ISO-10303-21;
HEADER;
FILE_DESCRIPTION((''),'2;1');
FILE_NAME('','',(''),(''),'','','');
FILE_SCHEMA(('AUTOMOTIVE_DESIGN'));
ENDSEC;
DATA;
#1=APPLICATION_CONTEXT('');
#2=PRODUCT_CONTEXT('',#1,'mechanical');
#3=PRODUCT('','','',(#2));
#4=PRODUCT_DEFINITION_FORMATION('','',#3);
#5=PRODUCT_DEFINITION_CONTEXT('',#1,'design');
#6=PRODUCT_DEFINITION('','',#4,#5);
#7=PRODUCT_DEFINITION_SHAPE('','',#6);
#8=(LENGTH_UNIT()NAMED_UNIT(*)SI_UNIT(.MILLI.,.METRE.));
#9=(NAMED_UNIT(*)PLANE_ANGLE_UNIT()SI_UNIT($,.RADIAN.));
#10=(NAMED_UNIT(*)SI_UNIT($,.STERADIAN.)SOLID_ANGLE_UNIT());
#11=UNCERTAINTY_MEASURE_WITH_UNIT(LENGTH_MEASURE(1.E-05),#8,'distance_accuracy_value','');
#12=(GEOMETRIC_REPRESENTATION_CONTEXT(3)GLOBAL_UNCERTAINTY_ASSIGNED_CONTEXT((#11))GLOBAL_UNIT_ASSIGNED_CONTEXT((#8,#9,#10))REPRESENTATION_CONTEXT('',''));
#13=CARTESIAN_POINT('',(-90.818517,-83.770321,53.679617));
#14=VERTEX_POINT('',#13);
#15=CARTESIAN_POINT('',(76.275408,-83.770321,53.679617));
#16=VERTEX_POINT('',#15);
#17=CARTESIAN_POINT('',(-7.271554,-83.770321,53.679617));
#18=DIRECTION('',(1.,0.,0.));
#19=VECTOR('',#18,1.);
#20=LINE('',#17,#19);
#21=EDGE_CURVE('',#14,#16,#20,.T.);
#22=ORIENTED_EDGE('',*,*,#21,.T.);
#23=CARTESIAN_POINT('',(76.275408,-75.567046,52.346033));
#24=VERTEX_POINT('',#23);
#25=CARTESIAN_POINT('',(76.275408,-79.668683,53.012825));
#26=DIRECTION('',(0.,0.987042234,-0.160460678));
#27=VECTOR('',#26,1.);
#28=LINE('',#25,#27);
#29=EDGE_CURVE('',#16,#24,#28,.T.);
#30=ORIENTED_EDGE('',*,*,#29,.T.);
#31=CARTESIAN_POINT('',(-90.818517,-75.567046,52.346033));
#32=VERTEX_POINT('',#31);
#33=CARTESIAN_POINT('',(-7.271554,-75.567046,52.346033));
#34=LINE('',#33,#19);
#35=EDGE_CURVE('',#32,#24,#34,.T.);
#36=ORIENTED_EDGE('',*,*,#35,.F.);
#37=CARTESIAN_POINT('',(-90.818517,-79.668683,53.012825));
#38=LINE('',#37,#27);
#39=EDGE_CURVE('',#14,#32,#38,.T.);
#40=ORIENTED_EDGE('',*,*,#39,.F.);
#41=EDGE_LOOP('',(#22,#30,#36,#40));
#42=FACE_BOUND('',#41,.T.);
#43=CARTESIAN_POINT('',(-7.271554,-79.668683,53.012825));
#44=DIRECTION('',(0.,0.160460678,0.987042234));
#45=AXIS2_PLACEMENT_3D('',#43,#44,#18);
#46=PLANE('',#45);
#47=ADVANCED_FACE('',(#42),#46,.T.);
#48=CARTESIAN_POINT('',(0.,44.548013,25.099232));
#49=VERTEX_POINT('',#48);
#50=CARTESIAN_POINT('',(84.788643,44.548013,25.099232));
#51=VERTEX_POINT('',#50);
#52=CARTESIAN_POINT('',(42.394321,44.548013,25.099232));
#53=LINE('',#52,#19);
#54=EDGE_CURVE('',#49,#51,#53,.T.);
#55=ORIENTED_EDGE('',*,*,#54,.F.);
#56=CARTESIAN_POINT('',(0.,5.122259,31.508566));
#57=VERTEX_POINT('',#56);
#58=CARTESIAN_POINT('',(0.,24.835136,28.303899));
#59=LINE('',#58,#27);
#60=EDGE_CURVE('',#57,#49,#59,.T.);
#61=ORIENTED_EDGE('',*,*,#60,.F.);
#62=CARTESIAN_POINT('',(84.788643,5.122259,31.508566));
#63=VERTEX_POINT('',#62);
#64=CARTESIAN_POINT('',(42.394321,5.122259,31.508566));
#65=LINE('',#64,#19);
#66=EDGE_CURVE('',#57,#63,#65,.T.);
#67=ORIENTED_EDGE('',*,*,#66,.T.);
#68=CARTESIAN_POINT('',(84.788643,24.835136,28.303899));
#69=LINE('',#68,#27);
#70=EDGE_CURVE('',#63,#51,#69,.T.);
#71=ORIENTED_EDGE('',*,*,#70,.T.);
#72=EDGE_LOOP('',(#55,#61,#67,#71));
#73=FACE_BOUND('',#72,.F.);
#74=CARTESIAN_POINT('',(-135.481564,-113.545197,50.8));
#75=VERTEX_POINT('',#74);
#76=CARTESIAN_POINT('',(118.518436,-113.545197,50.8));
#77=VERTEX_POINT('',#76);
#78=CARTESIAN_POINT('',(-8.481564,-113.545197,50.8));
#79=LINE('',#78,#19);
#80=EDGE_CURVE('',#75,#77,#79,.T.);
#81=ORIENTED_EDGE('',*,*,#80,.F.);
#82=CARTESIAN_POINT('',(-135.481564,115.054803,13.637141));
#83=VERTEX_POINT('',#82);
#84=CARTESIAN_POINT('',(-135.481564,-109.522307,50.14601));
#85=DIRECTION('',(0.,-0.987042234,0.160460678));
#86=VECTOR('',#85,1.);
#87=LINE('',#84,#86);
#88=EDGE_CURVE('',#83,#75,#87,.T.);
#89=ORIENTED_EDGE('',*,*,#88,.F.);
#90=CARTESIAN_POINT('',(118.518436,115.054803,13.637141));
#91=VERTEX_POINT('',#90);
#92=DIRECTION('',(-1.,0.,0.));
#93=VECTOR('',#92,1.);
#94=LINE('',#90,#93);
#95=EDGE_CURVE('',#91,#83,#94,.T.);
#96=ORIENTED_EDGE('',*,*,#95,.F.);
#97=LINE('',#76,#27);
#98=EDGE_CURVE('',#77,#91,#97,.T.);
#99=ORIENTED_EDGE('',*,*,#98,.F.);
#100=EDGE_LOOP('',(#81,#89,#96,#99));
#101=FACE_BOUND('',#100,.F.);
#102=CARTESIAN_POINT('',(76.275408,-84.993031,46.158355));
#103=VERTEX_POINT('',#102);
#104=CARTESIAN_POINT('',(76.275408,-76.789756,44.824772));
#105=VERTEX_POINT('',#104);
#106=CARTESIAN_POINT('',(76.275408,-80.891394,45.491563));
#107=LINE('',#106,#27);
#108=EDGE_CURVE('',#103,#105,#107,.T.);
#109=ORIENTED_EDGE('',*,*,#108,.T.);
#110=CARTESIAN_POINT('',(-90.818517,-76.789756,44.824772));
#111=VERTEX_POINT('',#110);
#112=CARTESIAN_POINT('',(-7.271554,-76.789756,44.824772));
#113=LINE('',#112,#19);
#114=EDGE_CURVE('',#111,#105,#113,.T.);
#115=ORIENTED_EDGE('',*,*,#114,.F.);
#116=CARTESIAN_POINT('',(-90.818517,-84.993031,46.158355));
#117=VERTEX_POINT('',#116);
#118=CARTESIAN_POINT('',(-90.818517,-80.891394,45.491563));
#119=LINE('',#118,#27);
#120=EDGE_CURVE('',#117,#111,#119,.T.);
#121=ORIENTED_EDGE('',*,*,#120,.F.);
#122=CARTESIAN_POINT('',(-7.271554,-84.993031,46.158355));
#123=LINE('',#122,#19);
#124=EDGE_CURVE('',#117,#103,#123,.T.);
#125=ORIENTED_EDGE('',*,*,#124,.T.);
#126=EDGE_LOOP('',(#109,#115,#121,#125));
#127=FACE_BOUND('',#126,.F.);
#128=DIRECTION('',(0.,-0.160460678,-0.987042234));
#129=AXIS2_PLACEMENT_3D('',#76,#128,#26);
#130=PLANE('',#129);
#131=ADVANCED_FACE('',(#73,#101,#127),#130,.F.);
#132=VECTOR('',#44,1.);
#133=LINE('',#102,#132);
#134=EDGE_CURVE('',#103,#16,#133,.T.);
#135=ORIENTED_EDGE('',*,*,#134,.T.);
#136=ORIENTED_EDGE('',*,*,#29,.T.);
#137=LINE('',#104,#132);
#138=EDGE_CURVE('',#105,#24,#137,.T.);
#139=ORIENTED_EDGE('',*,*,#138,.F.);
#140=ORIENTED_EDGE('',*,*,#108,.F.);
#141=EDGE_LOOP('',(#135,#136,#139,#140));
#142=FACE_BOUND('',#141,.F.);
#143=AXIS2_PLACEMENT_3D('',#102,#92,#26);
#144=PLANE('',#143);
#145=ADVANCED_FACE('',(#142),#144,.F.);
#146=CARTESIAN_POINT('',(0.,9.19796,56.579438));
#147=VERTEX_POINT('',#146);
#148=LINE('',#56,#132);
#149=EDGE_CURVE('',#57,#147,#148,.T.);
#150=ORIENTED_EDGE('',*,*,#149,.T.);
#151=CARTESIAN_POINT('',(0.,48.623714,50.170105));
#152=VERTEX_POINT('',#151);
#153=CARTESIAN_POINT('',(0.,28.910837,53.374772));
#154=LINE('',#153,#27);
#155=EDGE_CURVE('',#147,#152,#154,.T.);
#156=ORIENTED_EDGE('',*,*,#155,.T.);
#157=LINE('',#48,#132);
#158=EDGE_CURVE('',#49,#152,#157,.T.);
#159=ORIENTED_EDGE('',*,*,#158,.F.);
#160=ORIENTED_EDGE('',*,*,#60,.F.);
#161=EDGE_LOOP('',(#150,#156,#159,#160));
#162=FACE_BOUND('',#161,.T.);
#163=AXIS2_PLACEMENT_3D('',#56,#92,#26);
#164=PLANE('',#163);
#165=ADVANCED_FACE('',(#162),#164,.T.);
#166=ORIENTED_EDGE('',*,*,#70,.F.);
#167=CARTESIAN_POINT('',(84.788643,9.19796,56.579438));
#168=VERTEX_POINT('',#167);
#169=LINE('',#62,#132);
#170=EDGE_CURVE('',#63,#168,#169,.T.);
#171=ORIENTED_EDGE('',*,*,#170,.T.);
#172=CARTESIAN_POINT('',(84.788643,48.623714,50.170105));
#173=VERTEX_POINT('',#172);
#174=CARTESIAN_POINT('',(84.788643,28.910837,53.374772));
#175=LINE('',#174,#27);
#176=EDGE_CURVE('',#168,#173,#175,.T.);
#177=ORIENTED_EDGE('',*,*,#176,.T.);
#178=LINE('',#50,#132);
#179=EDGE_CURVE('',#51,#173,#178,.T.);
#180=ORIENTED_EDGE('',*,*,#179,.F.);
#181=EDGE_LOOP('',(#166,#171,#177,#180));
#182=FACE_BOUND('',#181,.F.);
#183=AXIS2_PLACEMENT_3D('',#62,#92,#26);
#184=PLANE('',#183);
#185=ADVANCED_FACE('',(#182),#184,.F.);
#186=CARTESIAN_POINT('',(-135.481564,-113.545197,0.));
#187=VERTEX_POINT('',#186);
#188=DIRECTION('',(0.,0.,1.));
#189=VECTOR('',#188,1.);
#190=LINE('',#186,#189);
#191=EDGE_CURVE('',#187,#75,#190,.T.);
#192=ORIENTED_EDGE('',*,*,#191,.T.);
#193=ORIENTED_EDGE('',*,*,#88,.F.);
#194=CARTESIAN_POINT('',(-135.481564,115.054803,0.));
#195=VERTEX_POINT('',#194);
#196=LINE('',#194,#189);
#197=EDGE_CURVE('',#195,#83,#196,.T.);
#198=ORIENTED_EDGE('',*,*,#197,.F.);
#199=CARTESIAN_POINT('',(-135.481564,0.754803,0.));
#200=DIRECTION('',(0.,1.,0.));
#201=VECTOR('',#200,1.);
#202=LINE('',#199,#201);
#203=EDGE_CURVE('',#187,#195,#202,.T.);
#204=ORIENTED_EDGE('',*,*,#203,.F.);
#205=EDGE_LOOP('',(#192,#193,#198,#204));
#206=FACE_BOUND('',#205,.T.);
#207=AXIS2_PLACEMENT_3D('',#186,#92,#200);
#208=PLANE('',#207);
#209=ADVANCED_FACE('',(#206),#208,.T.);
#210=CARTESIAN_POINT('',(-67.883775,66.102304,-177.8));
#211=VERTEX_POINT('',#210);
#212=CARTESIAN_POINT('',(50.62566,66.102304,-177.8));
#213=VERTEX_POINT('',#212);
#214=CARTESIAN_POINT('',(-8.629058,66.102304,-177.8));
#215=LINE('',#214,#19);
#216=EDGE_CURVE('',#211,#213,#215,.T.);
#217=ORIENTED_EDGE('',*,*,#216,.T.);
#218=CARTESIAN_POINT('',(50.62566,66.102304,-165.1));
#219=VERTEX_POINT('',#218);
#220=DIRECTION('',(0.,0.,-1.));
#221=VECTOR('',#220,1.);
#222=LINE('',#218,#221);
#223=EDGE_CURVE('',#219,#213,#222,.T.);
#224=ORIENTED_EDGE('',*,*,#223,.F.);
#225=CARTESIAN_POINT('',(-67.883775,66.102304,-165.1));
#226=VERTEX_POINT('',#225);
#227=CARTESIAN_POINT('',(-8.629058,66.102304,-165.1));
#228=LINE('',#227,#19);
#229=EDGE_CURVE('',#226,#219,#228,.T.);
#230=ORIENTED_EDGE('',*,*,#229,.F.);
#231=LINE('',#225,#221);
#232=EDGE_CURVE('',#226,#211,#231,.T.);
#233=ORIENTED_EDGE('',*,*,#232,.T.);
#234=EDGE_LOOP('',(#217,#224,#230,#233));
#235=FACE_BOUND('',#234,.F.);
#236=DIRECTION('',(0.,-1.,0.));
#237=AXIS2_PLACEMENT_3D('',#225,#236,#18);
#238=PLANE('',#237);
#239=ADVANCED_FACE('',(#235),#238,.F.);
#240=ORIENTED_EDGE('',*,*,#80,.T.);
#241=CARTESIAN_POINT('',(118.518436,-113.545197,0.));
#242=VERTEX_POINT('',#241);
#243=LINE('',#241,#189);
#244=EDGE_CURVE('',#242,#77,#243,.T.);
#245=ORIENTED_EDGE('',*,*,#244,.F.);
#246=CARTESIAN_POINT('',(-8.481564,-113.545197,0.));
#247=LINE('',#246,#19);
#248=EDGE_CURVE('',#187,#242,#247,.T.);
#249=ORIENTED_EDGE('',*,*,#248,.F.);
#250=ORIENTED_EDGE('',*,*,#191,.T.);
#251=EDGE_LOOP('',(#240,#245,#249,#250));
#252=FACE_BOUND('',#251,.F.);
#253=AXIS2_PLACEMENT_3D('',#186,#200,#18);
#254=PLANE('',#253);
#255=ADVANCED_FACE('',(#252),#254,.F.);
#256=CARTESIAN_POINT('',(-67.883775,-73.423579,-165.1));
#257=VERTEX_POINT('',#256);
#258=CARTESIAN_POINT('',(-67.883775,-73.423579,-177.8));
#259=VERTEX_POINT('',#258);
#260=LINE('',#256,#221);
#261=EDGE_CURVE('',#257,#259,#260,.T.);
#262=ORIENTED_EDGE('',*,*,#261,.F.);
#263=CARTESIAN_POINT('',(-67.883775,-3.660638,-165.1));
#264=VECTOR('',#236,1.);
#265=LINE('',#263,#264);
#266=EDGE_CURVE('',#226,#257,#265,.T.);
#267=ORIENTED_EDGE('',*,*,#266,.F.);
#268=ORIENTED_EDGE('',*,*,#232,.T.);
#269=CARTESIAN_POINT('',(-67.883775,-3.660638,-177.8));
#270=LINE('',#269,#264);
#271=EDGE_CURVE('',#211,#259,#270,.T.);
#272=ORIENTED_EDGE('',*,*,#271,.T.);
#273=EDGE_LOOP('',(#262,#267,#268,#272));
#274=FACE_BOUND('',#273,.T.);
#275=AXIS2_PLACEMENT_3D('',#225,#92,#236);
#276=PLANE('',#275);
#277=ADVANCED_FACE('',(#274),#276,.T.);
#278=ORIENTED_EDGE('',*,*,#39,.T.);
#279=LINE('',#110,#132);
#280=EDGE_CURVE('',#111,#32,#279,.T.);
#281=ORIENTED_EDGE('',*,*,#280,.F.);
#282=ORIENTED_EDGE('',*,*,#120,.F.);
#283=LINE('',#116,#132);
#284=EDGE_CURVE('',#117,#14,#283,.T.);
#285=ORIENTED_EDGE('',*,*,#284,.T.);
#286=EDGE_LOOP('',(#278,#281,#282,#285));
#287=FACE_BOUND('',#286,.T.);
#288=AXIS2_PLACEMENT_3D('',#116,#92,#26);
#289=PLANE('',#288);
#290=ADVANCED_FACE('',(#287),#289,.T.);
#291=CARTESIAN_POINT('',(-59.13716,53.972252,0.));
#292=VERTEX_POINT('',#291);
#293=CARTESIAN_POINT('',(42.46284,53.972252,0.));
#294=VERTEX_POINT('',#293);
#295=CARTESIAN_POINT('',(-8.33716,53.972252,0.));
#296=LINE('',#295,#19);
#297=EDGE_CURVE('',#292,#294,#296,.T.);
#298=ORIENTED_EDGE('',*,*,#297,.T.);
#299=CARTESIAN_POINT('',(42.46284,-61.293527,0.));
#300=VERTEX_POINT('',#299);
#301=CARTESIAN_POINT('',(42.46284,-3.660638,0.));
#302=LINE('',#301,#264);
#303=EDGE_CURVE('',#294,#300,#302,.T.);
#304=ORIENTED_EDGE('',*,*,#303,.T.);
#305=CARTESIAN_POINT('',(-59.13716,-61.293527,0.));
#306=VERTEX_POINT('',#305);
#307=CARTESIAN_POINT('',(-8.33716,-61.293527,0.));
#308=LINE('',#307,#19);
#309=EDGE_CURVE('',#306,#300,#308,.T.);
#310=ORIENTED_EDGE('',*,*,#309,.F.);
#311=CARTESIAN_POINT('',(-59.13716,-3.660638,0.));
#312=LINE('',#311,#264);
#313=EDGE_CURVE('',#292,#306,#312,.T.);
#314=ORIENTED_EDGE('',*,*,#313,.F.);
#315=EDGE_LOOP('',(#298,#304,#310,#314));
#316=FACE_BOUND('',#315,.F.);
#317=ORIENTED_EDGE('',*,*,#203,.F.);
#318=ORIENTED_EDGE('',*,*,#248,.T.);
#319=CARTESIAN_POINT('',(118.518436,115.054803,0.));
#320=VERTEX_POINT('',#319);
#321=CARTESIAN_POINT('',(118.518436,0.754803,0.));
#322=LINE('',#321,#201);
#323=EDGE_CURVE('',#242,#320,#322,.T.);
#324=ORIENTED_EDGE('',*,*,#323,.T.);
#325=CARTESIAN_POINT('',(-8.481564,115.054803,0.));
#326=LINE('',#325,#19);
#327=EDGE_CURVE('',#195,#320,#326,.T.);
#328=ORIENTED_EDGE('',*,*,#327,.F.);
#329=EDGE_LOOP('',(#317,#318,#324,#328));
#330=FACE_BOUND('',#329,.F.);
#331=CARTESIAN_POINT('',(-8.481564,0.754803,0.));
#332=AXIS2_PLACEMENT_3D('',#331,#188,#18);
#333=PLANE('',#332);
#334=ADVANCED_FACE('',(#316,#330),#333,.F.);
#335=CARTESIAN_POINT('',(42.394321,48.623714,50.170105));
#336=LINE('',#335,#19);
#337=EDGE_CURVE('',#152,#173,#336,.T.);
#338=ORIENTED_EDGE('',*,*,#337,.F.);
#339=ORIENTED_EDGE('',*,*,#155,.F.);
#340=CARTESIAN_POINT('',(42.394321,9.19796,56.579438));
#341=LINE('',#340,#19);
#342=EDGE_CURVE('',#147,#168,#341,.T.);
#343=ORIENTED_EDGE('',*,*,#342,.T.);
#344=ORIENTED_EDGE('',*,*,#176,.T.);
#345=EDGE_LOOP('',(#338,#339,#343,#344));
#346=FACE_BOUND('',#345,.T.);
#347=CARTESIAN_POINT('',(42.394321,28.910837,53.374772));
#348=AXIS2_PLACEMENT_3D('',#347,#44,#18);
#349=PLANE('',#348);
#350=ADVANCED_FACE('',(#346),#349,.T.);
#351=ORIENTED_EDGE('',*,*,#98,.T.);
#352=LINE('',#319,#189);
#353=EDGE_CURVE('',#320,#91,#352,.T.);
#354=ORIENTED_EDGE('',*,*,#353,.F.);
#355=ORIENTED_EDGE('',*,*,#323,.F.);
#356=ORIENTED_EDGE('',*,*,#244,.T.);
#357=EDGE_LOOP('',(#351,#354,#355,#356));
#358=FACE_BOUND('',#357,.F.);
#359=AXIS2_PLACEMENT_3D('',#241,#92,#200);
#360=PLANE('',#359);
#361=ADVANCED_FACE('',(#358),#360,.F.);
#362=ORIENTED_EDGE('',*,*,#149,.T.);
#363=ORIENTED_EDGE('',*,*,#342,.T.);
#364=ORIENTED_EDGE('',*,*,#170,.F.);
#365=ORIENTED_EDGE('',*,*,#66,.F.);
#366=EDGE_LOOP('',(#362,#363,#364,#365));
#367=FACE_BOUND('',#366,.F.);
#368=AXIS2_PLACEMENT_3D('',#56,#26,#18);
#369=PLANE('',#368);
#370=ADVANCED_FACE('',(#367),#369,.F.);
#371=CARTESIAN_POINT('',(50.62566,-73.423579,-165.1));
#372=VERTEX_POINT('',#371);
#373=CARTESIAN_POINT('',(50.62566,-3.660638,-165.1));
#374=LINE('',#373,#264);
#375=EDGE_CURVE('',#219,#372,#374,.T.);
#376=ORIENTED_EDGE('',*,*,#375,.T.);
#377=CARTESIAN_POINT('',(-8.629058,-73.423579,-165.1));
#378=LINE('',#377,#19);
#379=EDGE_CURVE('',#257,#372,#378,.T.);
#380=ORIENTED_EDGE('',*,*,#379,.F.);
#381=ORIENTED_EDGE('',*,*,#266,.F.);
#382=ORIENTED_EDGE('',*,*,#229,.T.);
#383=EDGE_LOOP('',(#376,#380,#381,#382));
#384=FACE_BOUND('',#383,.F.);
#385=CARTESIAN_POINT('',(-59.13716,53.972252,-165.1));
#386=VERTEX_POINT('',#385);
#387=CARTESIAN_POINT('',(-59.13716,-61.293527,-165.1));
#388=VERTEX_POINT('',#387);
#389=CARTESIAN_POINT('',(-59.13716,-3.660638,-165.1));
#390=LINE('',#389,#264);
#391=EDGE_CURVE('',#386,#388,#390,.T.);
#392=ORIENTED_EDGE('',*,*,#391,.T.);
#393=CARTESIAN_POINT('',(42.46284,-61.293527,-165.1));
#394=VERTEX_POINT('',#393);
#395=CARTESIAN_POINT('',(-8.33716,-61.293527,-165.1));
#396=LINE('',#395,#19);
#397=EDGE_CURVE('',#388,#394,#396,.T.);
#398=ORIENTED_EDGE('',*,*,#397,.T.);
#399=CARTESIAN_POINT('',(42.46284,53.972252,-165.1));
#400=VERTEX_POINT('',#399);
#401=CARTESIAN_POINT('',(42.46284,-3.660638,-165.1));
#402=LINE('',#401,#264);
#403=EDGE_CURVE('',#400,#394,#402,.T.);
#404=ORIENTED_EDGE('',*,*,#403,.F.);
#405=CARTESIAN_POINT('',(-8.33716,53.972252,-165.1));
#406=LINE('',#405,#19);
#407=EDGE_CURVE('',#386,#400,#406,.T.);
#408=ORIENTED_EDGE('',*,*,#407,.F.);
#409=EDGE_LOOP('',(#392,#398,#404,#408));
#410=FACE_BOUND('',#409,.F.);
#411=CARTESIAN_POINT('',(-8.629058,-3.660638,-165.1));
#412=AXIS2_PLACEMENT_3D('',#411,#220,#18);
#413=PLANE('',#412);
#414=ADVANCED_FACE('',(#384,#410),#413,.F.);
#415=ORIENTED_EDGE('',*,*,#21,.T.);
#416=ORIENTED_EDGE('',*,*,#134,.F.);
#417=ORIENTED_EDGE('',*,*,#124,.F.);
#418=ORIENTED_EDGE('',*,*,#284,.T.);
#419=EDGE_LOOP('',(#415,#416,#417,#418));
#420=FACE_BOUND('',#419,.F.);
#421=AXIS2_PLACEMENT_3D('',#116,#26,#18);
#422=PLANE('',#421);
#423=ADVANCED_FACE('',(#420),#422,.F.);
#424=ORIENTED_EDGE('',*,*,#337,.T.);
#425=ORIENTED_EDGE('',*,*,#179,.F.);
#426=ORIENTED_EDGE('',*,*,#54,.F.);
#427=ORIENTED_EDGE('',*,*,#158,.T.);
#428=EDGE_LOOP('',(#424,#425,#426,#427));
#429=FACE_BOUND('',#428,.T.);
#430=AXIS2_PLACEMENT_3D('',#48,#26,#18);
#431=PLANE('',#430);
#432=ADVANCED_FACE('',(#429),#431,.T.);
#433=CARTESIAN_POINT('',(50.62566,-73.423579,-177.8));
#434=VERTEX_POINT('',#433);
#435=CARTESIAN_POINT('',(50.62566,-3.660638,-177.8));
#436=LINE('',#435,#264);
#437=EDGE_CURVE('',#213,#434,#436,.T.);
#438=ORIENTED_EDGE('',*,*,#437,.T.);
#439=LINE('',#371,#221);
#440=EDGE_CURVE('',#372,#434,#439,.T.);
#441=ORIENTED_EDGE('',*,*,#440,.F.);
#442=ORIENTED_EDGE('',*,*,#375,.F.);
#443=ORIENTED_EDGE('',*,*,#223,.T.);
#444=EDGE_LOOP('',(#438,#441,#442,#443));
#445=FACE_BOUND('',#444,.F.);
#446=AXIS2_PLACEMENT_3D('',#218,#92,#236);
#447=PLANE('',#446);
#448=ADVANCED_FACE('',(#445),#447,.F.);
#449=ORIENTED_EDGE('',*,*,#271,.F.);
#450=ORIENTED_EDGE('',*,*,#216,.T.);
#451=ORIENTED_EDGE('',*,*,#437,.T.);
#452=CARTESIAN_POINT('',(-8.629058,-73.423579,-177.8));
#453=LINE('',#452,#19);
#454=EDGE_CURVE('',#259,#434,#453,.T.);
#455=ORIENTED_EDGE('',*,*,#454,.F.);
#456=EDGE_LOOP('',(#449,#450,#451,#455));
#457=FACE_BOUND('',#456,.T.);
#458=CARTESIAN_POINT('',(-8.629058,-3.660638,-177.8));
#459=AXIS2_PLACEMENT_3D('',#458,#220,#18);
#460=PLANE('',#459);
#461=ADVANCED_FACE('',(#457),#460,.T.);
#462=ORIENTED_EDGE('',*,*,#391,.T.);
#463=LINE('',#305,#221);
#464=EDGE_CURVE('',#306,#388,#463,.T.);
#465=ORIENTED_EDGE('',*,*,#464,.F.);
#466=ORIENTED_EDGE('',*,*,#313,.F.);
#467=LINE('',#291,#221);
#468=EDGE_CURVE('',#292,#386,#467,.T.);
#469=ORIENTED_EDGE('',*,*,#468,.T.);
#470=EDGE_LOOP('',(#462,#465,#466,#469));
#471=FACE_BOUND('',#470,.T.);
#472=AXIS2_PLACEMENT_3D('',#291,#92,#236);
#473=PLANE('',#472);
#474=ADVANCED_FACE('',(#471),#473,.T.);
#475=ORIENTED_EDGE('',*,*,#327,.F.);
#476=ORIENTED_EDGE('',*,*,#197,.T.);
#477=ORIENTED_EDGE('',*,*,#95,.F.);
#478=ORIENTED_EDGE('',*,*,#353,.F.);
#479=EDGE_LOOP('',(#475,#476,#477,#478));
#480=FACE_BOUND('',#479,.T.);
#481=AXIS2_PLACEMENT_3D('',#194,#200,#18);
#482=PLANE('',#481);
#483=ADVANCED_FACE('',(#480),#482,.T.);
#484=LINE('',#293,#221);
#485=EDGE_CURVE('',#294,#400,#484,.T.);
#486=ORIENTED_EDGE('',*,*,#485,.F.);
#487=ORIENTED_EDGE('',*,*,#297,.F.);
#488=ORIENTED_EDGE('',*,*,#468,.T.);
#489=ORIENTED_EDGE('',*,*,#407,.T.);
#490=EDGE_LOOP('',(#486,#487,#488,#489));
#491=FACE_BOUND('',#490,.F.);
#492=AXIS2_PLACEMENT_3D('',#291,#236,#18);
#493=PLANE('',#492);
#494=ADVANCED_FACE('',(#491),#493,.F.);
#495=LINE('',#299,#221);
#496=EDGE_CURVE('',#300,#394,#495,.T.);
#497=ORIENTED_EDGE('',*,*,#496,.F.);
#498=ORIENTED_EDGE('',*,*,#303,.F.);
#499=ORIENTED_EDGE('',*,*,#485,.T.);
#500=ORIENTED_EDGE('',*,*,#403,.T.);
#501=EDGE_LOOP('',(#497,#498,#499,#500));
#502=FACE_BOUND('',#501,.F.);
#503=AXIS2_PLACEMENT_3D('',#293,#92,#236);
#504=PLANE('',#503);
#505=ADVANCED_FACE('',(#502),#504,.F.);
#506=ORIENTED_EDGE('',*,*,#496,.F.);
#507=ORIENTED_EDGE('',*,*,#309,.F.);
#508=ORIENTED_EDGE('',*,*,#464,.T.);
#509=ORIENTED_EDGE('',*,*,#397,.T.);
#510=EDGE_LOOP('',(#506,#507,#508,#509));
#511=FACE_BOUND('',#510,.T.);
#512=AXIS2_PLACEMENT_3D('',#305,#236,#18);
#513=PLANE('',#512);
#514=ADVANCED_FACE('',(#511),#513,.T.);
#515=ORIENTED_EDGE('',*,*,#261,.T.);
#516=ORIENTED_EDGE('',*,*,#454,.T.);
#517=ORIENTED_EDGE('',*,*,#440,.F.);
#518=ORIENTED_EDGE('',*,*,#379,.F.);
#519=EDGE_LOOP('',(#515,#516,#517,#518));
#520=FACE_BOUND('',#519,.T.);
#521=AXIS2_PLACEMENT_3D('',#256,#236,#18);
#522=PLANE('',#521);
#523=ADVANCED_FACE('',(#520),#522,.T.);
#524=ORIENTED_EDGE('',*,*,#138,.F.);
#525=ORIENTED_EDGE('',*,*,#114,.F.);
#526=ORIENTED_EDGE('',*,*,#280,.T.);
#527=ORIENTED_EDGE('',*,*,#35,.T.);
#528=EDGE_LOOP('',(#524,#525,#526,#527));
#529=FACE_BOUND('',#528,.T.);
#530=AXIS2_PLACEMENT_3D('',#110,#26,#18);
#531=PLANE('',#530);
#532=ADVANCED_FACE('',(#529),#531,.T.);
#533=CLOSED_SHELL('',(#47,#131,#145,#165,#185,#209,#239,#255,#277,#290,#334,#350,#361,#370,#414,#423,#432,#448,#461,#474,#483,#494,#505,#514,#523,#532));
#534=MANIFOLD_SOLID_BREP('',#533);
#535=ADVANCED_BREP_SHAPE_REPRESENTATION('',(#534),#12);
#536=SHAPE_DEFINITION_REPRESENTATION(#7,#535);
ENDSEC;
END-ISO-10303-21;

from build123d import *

# Parameters (mm, degrees)
F0_W      = 254
F0_H      = 228.6
F1_DEPTH  = 50.8
F2_W      = 101.6
F2_H      = 115.2657791972
F3_DEPTH  = 165.1
F5_DEPTH  = 279.4
F6_W      = 118.5094341636
F6_H      = 139.5258828998
F7_DEPTH  = 12.7
F8_W      = 167.0939251781
F8_H      = 8.3109661937
F9_DEPTH  = 7.62
F10_W     = 84.7886428237
F10_H     = 39.9433299899
F11_DEPTH = 25.4


with BuildPart() as f1:
    # F0 (on Top) → F1 (new body)
    with BuildSketch(Plane.XY):
        with Locations((-8.4815638786, 0.7548034191)):
            Rectangle(F0_W, F0_H)
    extrude(amount=F1_DEPTH)

    # F2 (on face) → F3 (join)
    with BuildSketch(Plane(origin=(0, 0, 0), x_dir=(1, 0, 0), z_dir=(0, 0, -1))):
        with Locations((-8.3371599585, 3.6606378853)):
            Rectangle(F2_W, F2_H)
    extrude(amount=F3_DEPTH)

    # F4 (on face) → F5 (cut)
    with BuildSketch(Plane.YZ.offset(118.5184361214)):
        Polygon((115.0548034191, 50.8), (-113.5451965809, 50.8), (115.0548034191, 13.6371413246), align=None)
    extrude(amount=-F5_DEPTH, mode=Mode.SUBTRACT)

    # F6 (on face) → F7 (join)
    with BuildSketch(Plane(origin=(0, 0, -165.1), x_dir=(1, 0, 0), z_dir=(0, 0, -1))):
        with Locations((-8.6290575564, 3.6606378853)):
            Rectangle(F6_W, F6_H)
    extrude(amount=F7_DEPTH)

    # F8 (on face) → F9 (join)
    with BuildSketch(Plane(origin=(0, 5.1222588583, 31.5085657224), x_dir=(1, 0, 0), z_dir=(0, 0.1604606782, 0.9870422335))):
        with Locations((-7.2715543211, -87.1428288519)):
            Rectangle(F8_W, F8_H)
    extrude(amount=F9_DEPTH)

    # F10 (on face) → F11 (join)
    with BuildSketch(Plane(origin=(0, 5.1222588583, 31.5085657224), x_dir=(1, 0, 0), z_dir=(0, 0.1604606782, 0.9870422335))):
        with Locations((42.3943214118, 19.971664995)):
            Rectangle(F10_W, F10_H)
    extrude(amount=F11_DEPTH)


solid = f1.part
